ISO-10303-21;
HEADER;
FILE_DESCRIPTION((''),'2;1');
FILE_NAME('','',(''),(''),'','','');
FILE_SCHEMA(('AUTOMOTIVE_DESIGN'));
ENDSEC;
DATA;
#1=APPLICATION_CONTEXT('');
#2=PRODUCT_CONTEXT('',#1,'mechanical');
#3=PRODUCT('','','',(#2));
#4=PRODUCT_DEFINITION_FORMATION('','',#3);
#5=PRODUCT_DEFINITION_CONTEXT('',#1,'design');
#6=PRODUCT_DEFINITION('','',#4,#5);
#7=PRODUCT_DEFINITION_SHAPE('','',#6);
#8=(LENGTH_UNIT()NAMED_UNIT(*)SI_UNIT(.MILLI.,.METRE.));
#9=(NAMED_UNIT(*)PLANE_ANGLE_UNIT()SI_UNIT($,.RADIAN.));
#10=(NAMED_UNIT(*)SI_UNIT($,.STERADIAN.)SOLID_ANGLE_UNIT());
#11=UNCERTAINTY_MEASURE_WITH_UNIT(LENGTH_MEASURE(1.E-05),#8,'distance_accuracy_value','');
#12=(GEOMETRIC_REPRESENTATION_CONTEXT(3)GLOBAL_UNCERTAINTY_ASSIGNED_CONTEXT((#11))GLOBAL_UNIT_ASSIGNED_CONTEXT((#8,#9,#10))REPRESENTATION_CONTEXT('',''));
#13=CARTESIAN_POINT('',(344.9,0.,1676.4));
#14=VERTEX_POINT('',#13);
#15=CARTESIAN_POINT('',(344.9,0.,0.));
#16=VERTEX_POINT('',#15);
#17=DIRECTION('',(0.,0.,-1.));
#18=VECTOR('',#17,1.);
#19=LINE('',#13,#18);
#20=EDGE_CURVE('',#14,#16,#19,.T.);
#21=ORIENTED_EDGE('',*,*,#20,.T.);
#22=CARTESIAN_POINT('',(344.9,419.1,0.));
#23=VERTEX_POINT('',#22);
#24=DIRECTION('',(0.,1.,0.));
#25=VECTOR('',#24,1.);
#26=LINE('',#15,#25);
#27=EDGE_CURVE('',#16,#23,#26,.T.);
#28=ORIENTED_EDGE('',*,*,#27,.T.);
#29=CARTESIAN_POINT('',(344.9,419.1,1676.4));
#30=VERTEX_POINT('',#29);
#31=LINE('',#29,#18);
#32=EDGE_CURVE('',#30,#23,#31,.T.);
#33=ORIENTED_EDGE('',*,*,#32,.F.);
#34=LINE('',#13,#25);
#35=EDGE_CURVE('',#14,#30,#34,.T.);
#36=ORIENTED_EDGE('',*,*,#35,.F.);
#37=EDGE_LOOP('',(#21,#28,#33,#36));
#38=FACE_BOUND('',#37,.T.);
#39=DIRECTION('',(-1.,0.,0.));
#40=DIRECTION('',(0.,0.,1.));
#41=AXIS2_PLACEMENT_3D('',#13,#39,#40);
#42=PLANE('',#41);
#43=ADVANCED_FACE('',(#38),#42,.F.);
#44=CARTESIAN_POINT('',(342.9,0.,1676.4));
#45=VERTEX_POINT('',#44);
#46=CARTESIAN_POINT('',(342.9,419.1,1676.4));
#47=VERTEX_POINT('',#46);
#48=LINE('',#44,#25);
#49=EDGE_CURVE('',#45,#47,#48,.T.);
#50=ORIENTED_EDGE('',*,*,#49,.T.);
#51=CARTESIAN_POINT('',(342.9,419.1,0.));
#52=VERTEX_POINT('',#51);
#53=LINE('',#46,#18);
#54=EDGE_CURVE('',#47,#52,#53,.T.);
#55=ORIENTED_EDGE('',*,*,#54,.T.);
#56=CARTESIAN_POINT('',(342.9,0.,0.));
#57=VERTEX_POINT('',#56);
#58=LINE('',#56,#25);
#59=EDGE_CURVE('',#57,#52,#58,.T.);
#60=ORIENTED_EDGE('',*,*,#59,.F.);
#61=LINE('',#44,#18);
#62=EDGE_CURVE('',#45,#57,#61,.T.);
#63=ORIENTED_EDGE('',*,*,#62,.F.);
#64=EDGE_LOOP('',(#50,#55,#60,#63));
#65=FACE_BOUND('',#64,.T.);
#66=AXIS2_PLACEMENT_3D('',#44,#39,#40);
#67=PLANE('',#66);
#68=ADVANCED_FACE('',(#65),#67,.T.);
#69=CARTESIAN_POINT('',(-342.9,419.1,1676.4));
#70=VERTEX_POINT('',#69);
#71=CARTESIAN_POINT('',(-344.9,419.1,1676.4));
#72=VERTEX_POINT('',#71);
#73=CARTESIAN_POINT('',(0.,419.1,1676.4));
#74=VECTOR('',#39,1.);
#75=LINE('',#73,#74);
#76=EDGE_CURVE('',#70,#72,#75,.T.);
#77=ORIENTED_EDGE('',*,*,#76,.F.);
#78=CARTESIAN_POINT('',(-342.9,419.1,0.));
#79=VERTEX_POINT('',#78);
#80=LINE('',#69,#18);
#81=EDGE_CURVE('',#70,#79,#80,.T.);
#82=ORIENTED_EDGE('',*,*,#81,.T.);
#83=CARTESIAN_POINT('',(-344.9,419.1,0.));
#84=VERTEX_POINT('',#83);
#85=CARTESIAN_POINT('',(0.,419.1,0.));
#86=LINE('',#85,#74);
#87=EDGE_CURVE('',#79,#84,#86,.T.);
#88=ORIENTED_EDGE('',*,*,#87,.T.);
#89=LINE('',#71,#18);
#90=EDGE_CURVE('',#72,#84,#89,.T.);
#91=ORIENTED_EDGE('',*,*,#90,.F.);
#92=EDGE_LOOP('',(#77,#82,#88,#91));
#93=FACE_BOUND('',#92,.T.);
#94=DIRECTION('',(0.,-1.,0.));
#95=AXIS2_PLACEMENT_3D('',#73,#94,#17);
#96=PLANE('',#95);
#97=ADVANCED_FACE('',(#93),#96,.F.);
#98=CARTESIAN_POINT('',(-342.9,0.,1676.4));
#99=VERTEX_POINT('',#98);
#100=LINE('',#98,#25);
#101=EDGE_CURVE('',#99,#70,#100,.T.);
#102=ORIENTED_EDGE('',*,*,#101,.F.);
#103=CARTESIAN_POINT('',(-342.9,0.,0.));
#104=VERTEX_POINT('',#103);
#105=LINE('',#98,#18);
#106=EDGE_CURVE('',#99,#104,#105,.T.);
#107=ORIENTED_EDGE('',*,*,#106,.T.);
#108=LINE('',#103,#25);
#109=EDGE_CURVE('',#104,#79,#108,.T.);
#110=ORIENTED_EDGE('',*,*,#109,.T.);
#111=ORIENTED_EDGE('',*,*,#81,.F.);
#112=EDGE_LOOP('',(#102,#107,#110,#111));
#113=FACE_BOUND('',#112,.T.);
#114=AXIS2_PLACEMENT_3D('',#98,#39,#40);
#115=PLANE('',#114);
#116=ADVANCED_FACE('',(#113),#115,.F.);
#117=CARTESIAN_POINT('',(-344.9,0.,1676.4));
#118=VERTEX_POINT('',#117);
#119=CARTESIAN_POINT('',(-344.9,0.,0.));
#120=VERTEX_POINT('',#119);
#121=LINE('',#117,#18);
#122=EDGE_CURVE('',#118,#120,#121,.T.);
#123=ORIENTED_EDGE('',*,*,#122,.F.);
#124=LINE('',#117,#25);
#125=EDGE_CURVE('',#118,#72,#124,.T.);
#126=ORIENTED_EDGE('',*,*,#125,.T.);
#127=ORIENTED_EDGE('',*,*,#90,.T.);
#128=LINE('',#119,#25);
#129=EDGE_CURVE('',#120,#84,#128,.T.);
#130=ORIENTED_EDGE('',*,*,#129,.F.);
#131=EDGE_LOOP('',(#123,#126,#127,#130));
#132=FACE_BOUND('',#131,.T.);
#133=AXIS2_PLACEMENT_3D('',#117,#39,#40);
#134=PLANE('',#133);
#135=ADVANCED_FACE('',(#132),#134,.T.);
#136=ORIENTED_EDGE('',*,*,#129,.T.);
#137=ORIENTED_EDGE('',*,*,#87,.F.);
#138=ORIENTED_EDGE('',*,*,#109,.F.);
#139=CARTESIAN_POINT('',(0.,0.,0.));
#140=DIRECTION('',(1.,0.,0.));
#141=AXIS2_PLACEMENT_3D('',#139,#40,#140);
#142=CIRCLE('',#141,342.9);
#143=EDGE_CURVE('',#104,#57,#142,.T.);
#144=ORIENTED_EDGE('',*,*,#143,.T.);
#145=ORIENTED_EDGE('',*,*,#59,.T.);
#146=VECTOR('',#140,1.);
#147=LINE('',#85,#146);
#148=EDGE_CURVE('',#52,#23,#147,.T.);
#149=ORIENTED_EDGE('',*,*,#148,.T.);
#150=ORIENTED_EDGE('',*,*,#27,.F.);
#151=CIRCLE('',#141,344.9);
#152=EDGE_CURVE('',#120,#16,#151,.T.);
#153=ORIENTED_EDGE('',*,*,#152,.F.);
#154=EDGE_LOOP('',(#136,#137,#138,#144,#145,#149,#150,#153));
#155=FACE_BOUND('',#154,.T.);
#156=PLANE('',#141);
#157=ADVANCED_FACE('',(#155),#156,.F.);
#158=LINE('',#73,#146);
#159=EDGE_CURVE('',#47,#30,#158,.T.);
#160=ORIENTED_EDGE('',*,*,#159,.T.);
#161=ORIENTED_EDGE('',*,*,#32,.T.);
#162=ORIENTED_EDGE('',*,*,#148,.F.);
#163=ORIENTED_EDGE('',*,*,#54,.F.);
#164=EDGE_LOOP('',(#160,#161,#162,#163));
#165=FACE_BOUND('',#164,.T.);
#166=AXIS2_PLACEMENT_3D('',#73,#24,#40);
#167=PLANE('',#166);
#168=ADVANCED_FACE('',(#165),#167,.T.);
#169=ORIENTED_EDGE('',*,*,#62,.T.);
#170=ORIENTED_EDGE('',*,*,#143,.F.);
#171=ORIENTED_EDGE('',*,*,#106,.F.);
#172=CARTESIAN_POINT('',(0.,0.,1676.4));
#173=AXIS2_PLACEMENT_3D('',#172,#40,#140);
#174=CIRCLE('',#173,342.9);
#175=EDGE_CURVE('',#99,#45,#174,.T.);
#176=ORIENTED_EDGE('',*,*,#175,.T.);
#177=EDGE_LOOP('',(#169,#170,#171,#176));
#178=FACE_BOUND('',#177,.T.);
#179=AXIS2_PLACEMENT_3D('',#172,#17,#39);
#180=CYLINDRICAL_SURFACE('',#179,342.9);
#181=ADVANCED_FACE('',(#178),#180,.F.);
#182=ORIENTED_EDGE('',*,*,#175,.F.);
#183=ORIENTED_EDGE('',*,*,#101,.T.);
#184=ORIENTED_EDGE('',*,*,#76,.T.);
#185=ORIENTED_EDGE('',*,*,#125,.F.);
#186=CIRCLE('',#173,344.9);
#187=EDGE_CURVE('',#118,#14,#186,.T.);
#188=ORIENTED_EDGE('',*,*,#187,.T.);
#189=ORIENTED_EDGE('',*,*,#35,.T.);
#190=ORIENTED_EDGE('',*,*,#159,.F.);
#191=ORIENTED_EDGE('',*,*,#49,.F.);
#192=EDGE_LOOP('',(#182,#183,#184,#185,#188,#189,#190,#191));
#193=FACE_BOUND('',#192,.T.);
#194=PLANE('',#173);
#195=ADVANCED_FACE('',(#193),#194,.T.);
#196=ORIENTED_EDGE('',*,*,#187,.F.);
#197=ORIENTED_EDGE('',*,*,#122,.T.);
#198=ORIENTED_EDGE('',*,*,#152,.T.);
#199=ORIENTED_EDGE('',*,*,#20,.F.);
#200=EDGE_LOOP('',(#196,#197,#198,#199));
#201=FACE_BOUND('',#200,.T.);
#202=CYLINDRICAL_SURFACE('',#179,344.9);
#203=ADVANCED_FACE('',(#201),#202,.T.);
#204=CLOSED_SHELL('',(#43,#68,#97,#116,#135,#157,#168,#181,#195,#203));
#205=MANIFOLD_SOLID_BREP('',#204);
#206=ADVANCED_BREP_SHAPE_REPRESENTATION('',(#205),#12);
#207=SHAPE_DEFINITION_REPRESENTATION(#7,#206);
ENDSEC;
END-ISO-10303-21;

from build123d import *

# Parameters (mm, degrees)
BOSS_EXTRUDE1_DEPTH = 1676.4


with BuildPart() as part:
    # Sketch1 → Boss-Extrude1 (new body)
    with BuildSketch(Plane.XY):
        with BuildLine():
            Line((-344.9, 0), (-344.9, 419.1))
            Line((-344.9, 419.1), (-342.9, 419.1))
            Line((-342.9, 419.1), (-342.9, 0))
            ThreePointArc((-342.9, 0), (0, -342.9), (342.9, 0))
            Line((342.9, 0), (342.9, 419.1))
            Line((342.9, 419.1), (344.9, 419.1))
            Line((344.9, 419.1), (344.9, 0))
            ThreePointArc((344.9, 0), (0, -344.9), (-344.9, 0))
        make_face()
    extrude(amount=BOSS_EXTRUDE1_DEPTH)


solid = part.part
